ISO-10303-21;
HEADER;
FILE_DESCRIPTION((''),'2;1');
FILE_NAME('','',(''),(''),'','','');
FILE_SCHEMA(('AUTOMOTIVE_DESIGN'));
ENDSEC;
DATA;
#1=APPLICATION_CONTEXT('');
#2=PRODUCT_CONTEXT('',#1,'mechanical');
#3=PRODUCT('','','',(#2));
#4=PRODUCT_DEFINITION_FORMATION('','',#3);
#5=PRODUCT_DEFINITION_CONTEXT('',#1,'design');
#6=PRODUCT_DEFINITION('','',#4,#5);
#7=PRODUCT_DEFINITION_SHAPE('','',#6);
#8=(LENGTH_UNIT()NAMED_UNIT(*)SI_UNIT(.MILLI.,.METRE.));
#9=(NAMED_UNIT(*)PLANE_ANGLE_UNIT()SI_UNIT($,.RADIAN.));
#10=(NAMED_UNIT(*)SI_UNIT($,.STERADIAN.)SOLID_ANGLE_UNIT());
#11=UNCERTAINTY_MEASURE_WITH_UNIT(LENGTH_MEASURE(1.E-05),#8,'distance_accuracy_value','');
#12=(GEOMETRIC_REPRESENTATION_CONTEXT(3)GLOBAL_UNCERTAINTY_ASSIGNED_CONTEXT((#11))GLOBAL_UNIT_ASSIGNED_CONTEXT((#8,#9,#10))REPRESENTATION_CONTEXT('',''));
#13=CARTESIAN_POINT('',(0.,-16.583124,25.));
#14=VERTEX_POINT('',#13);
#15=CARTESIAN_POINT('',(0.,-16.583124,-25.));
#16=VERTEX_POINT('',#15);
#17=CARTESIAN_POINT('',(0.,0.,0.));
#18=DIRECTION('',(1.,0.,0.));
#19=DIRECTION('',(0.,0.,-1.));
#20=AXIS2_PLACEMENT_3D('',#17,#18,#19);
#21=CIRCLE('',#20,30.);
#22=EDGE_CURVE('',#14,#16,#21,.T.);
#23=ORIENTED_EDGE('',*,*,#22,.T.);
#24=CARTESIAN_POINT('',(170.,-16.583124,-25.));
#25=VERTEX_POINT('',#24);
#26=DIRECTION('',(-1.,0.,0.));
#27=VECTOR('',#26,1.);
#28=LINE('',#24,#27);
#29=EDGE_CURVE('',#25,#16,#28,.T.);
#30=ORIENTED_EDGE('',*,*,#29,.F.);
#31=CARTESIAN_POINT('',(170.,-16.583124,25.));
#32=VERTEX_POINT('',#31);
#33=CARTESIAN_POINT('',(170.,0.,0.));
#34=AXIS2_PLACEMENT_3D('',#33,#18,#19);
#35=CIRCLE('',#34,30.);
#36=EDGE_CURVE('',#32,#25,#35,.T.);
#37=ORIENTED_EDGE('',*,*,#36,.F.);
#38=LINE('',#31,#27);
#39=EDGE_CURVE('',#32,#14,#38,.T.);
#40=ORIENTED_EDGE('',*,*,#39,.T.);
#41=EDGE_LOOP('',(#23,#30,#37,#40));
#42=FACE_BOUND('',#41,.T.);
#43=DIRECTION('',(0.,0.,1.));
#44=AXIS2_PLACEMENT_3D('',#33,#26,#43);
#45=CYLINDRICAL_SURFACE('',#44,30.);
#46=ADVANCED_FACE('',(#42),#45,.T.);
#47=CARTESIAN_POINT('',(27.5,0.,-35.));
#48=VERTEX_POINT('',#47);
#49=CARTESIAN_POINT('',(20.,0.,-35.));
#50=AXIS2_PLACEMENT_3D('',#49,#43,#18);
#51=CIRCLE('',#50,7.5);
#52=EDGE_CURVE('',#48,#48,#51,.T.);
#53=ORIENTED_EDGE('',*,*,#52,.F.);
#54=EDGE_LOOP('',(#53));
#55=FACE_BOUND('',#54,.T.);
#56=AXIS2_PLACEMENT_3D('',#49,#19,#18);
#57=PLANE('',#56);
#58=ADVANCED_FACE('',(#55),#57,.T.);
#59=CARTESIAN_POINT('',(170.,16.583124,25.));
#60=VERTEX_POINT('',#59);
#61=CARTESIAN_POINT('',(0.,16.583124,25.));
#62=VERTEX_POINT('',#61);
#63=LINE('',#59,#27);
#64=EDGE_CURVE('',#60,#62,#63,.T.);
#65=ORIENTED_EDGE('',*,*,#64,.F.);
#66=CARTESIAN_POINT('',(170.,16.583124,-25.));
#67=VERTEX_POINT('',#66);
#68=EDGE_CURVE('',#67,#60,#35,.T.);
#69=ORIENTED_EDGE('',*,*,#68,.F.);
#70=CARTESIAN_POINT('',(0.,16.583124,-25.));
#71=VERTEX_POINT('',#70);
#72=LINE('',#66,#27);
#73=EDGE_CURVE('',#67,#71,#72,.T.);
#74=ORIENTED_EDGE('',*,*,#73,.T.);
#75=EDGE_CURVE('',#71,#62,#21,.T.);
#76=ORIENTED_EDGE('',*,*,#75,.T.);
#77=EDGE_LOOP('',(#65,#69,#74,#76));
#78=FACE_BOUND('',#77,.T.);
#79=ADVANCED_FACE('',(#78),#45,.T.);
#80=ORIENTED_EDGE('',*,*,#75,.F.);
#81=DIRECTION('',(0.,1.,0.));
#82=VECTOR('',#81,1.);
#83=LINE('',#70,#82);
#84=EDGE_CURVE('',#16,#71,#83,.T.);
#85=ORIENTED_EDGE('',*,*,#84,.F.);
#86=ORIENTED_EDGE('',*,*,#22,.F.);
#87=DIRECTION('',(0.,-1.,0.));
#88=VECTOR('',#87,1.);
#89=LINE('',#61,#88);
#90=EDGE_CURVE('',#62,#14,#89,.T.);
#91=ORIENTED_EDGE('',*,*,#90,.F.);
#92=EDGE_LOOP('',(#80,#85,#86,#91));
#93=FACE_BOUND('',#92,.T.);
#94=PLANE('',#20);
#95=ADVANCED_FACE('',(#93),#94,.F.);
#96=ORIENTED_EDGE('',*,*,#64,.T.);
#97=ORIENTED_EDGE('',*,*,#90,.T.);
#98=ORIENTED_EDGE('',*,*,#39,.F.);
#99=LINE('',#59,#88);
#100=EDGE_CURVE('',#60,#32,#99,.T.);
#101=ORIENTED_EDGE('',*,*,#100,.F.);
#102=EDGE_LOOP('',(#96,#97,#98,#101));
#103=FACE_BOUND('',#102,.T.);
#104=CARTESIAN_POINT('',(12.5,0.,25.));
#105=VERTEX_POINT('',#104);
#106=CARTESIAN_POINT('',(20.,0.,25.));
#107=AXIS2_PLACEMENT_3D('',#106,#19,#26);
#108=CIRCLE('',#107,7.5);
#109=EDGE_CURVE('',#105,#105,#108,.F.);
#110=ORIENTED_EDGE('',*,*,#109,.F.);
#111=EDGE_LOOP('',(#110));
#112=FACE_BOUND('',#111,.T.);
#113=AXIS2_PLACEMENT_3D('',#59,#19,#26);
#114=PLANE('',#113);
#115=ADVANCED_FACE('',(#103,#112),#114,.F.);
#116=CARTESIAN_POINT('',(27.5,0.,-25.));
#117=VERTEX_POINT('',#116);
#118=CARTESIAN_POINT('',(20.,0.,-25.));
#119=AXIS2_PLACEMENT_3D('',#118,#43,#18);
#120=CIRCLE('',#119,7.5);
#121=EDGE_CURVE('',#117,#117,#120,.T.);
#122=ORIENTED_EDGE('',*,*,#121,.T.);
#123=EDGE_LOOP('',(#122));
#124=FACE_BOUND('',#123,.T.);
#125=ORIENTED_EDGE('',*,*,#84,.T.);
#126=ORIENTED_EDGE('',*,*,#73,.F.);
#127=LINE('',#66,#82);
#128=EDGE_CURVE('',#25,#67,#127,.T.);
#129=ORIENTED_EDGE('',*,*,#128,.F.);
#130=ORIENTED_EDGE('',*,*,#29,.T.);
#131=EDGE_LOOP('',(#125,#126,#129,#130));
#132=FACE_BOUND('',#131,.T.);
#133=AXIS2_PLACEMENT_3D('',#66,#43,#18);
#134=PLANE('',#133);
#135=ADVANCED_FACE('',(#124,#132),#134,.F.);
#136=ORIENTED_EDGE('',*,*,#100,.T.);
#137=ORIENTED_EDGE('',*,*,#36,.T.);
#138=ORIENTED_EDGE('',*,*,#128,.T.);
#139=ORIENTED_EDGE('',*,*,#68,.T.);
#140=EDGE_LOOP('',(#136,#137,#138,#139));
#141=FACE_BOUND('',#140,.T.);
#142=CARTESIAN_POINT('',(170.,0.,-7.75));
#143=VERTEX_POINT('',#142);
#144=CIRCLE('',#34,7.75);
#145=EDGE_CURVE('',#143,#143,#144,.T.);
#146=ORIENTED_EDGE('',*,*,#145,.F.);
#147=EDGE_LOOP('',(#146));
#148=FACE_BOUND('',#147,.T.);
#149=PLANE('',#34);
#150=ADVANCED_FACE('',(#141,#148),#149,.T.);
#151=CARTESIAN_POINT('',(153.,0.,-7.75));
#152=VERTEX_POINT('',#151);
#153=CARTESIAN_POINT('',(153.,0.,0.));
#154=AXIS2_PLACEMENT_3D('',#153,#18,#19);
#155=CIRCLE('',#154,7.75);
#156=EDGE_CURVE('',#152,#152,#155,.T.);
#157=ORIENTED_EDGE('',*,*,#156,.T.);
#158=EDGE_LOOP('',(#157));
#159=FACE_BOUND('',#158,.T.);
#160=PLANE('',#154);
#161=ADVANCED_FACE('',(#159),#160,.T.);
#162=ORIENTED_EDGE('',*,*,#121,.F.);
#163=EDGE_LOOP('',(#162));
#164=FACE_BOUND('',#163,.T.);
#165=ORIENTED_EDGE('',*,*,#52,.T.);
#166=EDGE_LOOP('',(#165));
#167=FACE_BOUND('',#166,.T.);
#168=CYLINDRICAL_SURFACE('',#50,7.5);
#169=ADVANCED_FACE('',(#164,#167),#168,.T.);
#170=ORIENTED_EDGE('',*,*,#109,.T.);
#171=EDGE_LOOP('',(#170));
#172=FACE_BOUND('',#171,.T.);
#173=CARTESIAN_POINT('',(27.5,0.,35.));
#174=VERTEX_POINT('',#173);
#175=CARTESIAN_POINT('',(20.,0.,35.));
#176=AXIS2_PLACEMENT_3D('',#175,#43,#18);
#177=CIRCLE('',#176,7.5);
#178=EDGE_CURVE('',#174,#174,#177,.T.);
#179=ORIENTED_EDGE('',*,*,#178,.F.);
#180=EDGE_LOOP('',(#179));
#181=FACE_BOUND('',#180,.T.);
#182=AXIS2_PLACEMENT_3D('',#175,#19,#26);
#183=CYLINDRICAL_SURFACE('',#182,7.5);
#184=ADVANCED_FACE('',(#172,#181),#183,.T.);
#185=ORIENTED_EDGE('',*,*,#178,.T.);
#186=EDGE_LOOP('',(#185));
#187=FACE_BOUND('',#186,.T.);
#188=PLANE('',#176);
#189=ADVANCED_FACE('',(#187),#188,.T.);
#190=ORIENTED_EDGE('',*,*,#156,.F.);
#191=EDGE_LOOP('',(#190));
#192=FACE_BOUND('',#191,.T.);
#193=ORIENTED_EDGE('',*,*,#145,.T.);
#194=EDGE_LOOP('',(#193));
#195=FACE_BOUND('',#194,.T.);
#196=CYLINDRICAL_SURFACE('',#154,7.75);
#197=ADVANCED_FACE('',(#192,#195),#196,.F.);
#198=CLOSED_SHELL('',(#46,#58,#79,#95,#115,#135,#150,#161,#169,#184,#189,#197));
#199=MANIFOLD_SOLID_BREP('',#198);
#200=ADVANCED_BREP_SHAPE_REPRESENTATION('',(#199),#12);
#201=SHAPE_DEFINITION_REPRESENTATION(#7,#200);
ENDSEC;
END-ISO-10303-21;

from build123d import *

# Parameters (mm, degrees)
BOSS_EXTRUDE1_DEPTH = 170
SKETCH3_R           = 7.5
BOSS_EXTRUDE2_DEPTH = 10
SKETCH4_R           = 7.75
CUT_EXTRUDE1_DEPTH  = 17


with BuildPart() as part:
    # Sketch1 → Boss-Extrude1 (new body)
    with BuildSketch(Plane(origin=(0, 0, 0), x_dir=(0, 0, -1), z_dir=(1, 0, 0))):
        with BuildLine():
            Line((-25, 16.583123952), (-25, -16.583123952))
            ThreePointArc((-25, -16.583123952), (0, -30), (25, -16.583123952))
            Line((25, -16.583123952), (25, 16.583123952))
            ThreePointArc((25, 16.583123952), (0, 30), (-25, 16.583123952))
        make_face()
    extrude(amount=BOSS_EXTRUDE1_DEPTH)

    # Sketch3 → Boss-Extrude2 (add)
    with BuildSketch(Plane.XY.offset(25)):
        with Locations(Location((20, 0, 0), (0, 0, 180))):
            Circle(SKETCH3_R)
    boss_extrude2 = extrude(amount=BOSS_EXTRUDE2_DEPTH)

    # Mirror1: Boss-Extrude2 across plane
    add(boss_extrude2.mirror(Plane.XY))

    # Sketch4 → Cut-Extrude1 (cut)
    with BuildSketch(Plane(origin=(170, 0, 0), x_dir=(0, 0, -1), z_dir=(1, 0, 0))):
        Circle(SKETCH4_R)
    extrude(amount=-CUT_EXTRUDE1_DEPTH, mode=Mode.SUBTRACT)


solid = part.part
